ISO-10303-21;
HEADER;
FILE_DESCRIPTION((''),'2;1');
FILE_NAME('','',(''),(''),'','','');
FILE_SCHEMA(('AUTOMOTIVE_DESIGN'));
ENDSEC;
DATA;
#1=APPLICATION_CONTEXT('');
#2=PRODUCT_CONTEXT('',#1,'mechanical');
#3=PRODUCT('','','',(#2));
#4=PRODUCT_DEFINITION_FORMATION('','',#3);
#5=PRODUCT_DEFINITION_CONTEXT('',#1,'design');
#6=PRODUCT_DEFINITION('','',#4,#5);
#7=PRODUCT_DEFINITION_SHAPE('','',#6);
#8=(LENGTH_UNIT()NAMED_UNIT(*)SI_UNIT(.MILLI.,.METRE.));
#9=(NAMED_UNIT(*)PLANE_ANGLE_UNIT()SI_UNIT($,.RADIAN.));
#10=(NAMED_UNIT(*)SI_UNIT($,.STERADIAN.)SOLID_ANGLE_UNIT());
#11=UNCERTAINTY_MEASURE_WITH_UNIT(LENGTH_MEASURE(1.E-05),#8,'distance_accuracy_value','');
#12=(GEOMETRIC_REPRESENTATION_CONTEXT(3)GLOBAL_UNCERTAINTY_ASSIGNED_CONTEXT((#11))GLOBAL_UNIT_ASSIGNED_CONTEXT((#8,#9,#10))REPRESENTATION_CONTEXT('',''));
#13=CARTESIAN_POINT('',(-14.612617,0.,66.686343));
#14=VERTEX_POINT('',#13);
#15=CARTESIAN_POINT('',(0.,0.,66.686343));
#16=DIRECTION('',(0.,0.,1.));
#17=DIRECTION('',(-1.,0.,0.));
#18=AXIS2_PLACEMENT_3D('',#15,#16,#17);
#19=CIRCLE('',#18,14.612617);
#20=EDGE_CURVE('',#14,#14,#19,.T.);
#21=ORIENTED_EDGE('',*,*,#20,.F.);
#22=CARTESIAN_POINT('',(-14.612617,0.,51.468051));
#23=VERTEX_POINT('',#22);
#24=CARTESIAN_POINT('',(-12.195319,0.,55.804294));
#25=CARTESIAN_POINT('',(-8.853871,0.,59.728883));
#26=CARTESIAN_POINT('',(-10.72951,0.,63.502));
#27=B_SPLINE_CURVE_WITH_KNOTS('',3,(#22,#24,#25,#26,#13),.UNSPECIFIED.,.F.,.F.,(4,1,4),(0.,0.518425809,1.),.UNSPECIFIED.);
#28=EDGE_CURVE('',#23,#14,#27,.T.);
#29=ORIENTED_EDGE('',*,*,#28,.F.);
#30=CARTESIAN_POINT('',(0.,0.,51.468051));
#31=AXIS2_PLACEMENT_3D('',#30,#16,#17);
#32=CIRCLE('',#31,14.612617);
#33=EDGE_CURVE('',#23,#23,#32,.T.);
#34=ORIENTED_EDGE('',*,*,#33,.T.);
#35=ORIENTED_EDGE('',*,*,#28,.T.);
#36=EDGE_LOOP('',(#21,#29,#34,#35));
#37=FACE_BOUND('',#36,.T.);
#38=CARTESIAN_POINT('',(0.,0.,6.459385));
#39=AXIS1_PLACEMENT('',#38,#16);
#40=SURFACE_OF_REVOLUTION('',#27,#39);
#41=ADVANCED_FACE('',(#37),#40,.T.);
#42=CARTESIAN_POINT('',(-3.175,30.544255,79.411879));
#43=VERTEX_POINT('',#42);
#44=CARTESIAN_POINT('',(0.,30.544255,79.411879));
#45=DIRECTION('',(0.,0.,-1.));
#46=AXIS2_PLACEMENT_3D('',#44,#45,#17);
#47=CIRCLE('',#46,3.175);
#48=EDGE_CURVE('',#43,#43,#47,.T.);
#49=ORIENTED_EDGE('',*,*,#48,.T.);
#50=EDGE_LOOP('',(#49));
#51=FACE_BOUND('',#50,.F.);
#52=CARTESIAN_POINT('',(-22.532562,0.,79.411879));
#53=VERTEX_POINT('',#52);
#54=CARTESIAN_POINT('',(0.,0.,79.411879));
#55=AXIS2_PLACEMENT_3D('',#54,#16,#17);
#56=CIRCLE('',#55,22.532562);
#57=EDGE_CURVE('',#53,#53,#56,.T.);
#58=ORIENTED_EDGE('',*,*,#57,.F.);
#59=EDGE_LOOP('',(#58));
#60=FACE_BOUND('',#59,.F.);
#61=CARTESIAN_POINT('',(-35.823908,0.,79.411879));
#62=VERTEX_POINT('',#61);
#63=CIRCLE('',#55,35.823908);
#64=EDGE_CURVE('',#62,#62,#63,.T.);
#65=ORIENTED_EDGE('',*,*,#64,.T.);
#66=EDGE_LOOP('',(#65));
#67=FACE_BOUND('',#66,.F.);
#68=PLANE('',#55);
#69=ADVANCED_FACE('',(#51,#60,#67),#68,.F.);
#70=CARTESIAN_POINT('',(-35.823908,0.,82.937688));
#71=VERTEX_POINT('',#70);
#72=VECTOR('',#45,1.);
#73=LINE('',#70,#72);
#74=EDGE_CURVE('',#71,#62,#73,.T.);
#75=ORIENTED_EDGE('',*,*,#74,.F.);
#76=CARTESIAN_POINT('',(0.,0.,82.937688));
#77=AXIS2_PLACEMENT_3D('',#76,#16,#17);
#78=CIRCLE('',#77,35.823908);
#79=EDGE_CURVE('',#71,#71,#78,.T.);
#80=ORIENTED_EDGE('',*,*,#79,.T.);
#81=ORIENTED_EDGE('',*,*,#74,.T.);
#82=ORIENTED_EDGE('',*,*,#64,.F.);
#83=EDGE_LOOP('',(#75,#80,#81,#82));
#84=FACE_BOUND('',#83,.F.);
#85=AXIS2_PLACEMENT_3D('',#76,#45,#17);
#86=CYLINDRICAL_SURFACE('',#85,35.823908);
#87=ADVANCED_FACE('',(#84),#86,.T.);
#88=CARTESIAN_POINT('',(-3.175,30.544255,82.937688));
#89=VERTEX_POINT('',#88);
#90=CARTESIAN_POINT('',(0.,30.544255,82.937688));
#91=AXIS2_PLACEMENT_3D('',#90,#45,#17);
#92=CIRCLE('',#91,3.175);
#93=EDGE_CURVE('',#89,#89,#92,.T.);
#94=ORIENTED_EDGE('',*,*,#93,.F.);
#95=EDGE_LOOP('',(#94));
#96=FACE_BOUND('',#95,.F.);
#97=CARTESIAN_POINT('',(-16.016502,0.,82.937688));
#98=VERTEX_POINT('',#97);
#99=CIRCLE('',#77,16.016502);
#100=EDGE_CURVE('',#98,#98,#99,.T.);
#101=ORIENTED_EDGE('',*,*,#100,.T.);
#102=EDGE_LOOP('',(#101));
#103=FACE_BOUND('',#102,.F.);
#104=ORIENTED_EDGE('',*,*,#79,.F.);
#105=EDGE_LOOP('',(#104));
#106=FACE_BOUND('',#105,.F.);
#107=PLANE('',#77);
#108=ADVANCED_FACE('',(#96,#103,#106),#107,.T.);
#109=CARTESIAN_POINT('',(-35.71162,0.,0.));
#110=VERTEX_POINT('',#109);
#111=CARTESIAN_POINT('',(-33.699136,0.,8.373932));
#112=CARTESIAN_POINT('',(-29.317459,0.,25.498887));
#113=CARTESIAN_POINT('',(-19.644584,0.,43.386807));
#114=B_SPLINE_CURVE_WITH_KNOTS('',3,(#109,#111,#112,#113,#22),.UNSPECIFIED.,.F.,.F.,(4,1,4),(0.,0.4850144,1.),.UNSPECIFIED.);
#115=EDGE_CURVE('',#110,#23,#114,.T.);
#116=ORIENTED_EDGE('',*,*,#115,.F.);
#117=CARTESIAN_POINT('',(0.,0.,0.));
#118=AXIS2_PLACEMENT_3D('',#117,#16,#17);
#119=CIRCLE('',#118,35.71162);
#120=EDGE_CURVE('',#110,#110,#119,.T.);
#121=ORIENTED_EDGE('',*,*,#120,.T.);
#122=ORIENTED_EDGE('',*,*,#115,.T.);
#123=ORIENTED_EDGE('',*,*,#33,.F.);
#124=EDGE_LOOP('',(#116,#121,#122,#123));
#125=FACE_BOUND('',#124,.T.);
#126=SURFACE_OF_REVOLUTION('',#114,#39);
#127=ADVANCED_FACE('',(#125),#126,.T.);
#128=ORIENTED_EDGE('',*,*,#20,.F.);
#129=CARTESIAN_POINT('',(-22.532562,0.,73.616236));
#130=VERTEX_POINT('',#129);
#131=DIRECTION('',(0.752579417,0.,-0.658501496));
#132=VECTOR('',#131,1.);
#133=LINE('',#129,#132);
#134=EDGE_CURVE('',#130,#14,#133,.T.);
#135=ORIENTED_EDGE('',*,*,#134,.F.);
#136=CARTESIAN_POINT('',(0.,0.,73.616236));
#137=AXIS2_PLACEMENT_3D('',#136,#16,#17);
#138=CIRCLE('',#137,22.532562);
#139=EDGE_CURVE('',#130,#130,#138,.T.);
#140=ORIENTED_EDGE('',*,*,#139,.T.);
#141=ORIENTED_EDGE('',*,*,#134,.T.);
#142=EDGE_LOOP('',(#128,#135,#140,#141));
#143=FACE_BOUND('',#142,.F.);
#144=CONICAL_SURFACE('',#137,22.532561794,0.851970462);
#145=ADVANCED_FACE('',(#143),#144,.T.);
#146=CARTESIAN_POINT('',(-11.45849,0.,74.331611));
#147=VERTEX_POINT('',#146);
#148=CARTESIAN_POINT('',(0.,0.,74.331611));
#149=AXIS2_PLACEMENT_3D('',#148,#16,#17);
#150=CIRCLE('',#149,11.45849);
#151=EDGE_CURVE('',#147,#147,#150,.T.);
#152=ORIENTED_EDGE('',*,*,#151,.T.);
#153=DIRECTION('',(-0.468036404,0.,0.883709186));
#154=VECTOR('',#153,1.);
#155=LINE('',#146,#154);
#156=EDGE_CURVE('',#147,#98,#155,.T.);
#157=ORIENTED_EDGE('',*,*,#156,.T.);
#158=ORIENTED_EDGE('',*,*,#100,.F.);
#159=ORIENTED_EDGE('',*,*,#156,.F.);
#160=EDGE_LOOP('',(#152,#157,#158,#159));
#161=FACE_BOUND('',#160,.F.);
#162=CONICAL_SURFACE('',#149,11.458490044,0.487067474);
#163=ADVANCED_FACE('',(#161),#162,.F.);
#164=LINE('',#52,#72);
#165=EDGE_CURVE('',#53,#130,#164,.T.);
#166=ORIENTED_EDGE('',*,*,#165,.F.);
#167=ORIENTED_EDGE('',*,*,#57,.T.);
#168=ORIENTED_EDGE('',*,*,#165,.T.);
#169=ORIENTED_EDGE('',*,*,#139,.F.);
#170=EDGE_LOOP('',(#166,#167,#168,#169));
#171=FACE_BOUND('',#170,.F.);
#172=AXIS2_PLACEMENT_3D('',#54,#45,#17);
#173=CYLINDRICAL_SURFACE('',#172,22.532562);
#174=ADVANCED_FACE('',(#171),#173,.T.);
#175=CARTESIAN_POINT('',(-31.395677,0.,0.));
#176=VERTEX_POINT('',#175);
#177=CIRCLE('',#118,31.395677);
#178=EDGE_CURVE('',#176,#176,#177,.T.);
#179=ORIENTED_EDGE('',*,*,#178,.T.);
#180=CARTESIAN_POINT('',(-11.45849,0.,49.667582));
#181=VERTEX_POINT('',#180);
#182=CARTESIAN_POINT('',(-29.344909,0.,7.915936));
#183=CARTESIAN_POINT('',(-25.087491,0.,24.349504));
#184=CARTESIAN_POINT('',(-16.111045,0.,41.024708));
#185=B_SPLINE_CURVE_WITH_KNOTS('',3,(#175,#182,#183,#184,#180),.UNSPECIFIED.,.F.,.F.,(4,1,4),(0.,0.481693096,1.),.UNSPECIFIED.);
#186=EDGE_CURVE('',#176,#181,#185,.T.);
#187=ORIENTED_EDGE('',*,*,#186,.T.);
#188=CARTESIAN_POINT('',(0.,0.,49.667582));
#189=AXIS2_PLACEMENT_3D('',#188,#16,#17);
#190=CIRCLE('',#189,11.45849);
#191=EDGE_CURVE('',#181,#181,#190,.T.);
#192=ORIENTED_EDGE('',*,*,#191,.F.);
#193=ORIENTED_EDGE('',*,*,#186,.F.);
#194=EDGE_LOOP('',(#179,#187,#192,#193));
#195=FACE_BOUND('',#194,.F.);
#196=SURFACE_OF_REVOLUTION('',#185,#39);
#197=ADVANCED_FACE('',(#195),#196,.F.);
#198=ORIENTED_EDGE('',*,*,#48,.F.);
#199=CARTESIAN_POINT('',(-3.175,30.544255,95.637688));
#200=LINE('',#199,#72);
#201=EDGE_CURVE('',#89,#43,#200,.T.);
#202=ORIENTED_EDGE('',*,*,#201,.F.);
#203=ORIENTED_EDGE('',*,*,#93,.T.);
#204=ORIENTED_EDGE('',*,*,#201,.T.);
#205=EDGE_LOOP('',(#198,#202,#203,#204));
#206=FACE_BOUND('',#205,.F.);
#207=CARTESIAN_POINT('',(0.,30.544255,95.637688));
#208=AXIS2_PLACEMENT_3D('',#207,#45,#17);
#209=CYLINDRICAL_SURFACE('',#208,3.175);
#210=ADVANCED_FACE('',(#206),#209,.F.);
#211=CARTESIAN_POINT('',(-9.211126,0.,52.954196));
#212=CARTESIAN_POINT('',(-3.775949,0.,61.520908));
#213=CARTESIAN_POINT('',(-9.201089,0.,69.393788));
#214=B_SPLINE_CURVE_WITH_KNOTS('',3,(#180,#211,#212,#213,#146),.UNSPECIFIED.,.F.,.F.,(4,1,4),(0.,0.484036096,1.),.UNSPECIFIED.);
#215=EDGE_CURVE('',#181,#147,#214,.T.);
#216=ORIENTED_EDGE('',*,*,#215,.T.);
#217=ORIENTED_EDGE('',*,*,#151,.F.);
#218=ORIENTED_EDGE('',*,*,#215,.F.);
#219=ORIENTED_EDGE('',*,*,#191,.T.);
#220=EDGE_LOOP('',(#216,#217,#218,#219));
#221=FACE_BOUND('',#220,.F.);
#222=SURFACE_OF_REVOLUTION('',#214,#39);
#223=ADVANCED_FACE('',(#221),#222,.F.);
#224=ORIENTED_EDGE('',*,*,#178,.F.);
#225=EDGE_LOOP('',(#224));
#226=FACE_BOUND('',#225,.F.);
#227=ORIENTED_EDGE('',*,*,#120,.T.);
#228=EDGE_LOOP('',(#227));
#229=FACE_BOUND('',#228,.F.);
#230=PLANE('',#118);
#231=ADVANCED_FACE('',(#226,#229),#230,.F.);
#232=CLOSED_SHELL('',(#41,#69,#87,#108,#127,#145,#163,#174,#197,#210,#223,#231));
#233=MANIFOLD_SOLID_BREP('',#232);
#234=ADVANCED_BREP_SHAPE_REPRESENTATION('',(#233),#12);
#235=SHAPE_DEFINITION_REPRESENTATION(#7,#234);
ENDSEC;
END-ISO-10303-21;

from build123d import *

# Parameters (mm, degrees)
F4_D     = 6.35
F4_DEPTH = 12.7
F4_TIP   = 1.9077324654


with BuildPart() as f1:
    # F0 (on Front) → F1 (revolve)
    with BuildSketch(Plane.XZ):
        with BuildLine():
            add(Edge.make_bspline(
                [(-35.711620003, 0), (-33.6991355754, 8.3739323563), (-29.3174594603, 25.4988872735), (-19.6445835619, 43.3868067126), (-14.6126173957, 51.4680505725)],
                knots=[0, 0, 0, 0, 0.4850144004, 1, 1, 1, 1], degree=3))
            Line((-35.711620003, 0), (-31.3956774771, 0))
            add(Edge.make_bspline(
                [(-31.3956774771, 0), (-29.3449089655, 7.9159356711), (-25.0874906142, 24.3495041979), (-16.1110445435, 41.0247078901), (-11.4584900439, 49.6675819159)],
                knots=[0, 0, 0, 0, 0.4816930958, 1, 1, 1, 1], degree=3))
            add(Edge.make_bspline(
                [(-11.4584900439, 49.6675819159), (-9.2111257589, 52.9541958774), (-3.7759486318, 61.5209078018), (-9.2010886072, 69.393788099), (-11.4584900439, 74.3316113949)],
                knots=[0, 0, 0, 0, 0.4840360956, 1, 1, 1, 1], degree=3))
            Line((-11.4584900439, 74.3316113949), (-16.0165019333, 82.9376876354))
            Line((-16.0165019333, 82.9376876354), (-35.8239077032, 82.9376876354))
            Line((-35.8239077032, 82.9376876354), (-35.8239077032, 79.4118791819))
            Line((-35.8239077032, 79.4118791819), (-22.5325617939, 79.4118791819))
            Line((-22.5325617939, 79.4118791819), (-22.5325617939, 73.6162364483))
            Line((-22.5325617939, 73.6162364483), (-14.6126173957, 66.6863429164))
            add(Edge.make_bspline(
                [(-14.6126173957, 51.4680505725), (-12.1953186939, 55.8042941924), (-8.853870956, 59.7288834218), (-10.7295096303, 63.5019995765), (-14.6126173957, 66.6863429164)],
                knots=[0, 0, 0, 0, 0.5184258095, 1, 1, 1, 1], degree=3))
        make_face()
    revolve(axis=Axis((0, 0, 6.4593851566), (0, 0, 1)))

    # F4
    with Locations(Plane.XY.offset(82.9376876354)):
        with Locations((0, 30.5442549288)):
            Hole(F4_D / 2, depth=F4_DEPTH)
            with Locations((0, 0, -(F4_DEPTH + F4_TIP / 2))):  # 118° drill point
                Cone(0, F4_D / 2, F4_TIP, mode=Mode.SUBTRACT)


solid = f1.part
